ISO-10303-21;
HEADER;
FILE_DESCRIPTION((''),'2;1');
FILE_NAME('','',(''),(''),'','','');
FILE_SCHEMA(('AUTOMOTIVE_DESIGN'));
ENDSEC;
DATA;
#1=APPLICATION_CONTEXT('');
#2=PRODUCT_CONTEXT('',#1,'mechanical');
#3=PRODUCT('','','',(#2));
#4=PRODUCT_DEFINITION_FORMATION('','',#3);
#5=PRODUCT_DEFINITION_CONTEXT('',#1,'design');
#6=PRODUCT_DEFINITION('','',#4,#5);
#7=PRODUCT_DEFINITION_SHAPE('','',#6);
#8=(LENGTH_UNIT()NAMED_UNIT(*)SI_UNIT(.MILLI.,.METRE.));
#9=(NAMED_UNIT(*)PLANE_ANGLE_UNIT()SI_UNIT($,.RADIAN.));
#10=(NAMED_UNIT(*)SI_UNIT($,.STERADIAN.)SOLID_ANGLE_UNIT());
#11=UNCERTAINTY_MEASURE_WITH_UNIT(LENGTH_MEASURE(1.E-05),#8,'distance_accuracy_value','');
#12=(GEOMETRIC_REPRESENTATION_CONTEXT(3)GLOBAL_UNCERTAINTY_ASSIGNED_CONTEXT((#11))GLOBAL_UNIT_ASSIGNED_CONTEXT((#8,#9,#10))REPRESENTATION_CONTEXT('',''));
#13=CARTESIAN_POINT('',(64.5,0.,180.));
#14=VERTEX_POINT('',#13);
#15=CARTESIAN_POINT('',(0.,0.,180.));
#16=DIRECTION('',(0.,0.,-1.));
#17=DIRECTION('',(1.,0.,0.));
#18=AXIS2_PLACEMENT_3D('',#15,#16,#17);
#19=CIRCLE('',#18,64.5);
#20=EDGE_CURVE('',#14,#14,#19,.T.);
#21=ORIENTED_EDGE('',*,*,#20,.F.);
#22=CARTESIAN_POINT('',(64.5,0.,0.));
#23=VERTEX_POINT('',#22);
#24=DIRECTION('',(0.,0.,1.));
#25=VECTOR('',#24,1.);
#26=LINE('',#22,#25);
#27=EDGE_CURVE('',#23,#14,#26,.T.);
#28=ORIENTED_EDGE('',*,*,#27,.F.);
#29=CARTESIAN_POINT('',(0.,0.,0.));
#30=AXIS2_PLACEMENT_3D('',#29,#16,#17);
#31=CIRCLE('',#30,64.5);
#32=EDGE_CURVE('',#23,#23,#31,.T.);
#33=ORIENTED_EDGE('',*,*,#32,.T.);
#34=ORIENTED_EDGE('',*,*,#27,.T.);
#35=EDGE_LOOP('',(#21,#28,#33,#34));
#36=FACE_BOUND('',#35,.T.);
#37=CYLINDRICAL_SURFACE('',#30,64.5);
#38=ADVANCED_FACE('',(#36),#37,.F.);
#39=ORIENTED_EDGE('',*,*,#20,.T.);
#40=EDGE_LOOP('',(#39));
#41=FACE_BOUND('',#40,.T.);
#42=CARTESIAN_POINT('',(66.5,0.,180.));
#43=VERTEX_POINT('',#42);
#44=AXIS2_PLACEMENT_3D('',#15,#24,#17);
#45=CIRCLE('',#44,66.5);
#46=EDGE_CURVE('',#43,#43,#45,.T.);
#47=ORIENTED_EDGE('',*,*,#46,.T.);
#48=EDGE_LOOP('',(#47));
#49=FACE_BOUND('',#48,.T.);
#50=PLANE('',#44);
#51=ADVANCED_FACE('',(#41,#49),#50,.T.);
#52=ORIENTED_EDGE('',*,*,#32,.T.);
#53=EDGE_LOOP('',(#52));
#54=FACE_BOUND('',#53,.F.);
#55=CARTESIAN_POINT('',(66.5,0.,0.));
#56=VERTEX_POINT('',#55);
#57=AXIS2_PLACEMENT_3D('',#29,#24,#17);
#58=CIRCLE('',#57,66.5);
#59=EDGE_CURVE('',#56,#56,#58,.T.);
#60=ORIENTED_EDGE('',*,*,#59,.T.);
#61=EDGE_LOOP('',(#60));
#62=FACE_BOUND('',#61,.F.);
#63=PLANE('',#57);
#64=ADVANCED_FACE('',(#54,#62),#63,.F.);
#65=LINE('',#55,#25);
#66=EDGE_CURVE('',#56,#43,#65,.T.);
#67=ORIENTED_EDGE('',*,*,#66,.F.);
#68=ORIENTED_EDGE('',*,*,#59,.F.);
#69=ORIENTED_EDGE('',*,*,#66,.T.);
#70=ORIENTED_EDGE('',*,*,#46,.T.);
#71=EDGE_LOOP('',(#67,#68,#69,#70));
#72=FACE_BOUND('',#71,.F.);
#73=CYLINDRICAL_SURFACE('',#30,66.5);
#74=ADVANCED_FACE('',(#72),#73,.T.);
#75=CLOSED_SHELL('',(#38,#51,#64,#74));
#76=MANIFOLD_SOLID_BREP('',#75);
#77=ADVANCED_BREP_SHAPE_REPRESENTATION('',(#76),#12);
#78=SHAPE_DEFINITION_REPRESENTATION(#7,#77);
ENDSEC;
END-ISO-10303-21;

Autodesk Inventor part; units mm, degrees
ref_plane "YZ Plane" through (0, 0, 0) normal (1, 0, 0) x (0, 1, 0)
ref_plane "XZ Plane" through (0, 0, 0) normal (0, 1, 0) x (-1, 0, 0)
ref_plane "XY Plane" through (0, 0, 0) normal (0, 0, 1) x (1, 0, 0)
sketch "Sketch1" plane through (0, 0, 0) normal (0, 0, 1) x (1, 0, 0)
  circle A0 centre (0, 0) radius 66.5
  circle A1 centre (0, 0) radius 61.5
  dimension "d0" = 133
  dimension "d1" = 5
extrude "Extrusion1" add sketch "Sketch1" along normal blind 180 contours A0 | A1
shell "Shell1" thickness 2 removed faces 2 at (16.5265, 16.6399, 0) at (16.5265, 16.6399, 180)
properties part number "ДМФ 056 труба илоотвода v2.1"
